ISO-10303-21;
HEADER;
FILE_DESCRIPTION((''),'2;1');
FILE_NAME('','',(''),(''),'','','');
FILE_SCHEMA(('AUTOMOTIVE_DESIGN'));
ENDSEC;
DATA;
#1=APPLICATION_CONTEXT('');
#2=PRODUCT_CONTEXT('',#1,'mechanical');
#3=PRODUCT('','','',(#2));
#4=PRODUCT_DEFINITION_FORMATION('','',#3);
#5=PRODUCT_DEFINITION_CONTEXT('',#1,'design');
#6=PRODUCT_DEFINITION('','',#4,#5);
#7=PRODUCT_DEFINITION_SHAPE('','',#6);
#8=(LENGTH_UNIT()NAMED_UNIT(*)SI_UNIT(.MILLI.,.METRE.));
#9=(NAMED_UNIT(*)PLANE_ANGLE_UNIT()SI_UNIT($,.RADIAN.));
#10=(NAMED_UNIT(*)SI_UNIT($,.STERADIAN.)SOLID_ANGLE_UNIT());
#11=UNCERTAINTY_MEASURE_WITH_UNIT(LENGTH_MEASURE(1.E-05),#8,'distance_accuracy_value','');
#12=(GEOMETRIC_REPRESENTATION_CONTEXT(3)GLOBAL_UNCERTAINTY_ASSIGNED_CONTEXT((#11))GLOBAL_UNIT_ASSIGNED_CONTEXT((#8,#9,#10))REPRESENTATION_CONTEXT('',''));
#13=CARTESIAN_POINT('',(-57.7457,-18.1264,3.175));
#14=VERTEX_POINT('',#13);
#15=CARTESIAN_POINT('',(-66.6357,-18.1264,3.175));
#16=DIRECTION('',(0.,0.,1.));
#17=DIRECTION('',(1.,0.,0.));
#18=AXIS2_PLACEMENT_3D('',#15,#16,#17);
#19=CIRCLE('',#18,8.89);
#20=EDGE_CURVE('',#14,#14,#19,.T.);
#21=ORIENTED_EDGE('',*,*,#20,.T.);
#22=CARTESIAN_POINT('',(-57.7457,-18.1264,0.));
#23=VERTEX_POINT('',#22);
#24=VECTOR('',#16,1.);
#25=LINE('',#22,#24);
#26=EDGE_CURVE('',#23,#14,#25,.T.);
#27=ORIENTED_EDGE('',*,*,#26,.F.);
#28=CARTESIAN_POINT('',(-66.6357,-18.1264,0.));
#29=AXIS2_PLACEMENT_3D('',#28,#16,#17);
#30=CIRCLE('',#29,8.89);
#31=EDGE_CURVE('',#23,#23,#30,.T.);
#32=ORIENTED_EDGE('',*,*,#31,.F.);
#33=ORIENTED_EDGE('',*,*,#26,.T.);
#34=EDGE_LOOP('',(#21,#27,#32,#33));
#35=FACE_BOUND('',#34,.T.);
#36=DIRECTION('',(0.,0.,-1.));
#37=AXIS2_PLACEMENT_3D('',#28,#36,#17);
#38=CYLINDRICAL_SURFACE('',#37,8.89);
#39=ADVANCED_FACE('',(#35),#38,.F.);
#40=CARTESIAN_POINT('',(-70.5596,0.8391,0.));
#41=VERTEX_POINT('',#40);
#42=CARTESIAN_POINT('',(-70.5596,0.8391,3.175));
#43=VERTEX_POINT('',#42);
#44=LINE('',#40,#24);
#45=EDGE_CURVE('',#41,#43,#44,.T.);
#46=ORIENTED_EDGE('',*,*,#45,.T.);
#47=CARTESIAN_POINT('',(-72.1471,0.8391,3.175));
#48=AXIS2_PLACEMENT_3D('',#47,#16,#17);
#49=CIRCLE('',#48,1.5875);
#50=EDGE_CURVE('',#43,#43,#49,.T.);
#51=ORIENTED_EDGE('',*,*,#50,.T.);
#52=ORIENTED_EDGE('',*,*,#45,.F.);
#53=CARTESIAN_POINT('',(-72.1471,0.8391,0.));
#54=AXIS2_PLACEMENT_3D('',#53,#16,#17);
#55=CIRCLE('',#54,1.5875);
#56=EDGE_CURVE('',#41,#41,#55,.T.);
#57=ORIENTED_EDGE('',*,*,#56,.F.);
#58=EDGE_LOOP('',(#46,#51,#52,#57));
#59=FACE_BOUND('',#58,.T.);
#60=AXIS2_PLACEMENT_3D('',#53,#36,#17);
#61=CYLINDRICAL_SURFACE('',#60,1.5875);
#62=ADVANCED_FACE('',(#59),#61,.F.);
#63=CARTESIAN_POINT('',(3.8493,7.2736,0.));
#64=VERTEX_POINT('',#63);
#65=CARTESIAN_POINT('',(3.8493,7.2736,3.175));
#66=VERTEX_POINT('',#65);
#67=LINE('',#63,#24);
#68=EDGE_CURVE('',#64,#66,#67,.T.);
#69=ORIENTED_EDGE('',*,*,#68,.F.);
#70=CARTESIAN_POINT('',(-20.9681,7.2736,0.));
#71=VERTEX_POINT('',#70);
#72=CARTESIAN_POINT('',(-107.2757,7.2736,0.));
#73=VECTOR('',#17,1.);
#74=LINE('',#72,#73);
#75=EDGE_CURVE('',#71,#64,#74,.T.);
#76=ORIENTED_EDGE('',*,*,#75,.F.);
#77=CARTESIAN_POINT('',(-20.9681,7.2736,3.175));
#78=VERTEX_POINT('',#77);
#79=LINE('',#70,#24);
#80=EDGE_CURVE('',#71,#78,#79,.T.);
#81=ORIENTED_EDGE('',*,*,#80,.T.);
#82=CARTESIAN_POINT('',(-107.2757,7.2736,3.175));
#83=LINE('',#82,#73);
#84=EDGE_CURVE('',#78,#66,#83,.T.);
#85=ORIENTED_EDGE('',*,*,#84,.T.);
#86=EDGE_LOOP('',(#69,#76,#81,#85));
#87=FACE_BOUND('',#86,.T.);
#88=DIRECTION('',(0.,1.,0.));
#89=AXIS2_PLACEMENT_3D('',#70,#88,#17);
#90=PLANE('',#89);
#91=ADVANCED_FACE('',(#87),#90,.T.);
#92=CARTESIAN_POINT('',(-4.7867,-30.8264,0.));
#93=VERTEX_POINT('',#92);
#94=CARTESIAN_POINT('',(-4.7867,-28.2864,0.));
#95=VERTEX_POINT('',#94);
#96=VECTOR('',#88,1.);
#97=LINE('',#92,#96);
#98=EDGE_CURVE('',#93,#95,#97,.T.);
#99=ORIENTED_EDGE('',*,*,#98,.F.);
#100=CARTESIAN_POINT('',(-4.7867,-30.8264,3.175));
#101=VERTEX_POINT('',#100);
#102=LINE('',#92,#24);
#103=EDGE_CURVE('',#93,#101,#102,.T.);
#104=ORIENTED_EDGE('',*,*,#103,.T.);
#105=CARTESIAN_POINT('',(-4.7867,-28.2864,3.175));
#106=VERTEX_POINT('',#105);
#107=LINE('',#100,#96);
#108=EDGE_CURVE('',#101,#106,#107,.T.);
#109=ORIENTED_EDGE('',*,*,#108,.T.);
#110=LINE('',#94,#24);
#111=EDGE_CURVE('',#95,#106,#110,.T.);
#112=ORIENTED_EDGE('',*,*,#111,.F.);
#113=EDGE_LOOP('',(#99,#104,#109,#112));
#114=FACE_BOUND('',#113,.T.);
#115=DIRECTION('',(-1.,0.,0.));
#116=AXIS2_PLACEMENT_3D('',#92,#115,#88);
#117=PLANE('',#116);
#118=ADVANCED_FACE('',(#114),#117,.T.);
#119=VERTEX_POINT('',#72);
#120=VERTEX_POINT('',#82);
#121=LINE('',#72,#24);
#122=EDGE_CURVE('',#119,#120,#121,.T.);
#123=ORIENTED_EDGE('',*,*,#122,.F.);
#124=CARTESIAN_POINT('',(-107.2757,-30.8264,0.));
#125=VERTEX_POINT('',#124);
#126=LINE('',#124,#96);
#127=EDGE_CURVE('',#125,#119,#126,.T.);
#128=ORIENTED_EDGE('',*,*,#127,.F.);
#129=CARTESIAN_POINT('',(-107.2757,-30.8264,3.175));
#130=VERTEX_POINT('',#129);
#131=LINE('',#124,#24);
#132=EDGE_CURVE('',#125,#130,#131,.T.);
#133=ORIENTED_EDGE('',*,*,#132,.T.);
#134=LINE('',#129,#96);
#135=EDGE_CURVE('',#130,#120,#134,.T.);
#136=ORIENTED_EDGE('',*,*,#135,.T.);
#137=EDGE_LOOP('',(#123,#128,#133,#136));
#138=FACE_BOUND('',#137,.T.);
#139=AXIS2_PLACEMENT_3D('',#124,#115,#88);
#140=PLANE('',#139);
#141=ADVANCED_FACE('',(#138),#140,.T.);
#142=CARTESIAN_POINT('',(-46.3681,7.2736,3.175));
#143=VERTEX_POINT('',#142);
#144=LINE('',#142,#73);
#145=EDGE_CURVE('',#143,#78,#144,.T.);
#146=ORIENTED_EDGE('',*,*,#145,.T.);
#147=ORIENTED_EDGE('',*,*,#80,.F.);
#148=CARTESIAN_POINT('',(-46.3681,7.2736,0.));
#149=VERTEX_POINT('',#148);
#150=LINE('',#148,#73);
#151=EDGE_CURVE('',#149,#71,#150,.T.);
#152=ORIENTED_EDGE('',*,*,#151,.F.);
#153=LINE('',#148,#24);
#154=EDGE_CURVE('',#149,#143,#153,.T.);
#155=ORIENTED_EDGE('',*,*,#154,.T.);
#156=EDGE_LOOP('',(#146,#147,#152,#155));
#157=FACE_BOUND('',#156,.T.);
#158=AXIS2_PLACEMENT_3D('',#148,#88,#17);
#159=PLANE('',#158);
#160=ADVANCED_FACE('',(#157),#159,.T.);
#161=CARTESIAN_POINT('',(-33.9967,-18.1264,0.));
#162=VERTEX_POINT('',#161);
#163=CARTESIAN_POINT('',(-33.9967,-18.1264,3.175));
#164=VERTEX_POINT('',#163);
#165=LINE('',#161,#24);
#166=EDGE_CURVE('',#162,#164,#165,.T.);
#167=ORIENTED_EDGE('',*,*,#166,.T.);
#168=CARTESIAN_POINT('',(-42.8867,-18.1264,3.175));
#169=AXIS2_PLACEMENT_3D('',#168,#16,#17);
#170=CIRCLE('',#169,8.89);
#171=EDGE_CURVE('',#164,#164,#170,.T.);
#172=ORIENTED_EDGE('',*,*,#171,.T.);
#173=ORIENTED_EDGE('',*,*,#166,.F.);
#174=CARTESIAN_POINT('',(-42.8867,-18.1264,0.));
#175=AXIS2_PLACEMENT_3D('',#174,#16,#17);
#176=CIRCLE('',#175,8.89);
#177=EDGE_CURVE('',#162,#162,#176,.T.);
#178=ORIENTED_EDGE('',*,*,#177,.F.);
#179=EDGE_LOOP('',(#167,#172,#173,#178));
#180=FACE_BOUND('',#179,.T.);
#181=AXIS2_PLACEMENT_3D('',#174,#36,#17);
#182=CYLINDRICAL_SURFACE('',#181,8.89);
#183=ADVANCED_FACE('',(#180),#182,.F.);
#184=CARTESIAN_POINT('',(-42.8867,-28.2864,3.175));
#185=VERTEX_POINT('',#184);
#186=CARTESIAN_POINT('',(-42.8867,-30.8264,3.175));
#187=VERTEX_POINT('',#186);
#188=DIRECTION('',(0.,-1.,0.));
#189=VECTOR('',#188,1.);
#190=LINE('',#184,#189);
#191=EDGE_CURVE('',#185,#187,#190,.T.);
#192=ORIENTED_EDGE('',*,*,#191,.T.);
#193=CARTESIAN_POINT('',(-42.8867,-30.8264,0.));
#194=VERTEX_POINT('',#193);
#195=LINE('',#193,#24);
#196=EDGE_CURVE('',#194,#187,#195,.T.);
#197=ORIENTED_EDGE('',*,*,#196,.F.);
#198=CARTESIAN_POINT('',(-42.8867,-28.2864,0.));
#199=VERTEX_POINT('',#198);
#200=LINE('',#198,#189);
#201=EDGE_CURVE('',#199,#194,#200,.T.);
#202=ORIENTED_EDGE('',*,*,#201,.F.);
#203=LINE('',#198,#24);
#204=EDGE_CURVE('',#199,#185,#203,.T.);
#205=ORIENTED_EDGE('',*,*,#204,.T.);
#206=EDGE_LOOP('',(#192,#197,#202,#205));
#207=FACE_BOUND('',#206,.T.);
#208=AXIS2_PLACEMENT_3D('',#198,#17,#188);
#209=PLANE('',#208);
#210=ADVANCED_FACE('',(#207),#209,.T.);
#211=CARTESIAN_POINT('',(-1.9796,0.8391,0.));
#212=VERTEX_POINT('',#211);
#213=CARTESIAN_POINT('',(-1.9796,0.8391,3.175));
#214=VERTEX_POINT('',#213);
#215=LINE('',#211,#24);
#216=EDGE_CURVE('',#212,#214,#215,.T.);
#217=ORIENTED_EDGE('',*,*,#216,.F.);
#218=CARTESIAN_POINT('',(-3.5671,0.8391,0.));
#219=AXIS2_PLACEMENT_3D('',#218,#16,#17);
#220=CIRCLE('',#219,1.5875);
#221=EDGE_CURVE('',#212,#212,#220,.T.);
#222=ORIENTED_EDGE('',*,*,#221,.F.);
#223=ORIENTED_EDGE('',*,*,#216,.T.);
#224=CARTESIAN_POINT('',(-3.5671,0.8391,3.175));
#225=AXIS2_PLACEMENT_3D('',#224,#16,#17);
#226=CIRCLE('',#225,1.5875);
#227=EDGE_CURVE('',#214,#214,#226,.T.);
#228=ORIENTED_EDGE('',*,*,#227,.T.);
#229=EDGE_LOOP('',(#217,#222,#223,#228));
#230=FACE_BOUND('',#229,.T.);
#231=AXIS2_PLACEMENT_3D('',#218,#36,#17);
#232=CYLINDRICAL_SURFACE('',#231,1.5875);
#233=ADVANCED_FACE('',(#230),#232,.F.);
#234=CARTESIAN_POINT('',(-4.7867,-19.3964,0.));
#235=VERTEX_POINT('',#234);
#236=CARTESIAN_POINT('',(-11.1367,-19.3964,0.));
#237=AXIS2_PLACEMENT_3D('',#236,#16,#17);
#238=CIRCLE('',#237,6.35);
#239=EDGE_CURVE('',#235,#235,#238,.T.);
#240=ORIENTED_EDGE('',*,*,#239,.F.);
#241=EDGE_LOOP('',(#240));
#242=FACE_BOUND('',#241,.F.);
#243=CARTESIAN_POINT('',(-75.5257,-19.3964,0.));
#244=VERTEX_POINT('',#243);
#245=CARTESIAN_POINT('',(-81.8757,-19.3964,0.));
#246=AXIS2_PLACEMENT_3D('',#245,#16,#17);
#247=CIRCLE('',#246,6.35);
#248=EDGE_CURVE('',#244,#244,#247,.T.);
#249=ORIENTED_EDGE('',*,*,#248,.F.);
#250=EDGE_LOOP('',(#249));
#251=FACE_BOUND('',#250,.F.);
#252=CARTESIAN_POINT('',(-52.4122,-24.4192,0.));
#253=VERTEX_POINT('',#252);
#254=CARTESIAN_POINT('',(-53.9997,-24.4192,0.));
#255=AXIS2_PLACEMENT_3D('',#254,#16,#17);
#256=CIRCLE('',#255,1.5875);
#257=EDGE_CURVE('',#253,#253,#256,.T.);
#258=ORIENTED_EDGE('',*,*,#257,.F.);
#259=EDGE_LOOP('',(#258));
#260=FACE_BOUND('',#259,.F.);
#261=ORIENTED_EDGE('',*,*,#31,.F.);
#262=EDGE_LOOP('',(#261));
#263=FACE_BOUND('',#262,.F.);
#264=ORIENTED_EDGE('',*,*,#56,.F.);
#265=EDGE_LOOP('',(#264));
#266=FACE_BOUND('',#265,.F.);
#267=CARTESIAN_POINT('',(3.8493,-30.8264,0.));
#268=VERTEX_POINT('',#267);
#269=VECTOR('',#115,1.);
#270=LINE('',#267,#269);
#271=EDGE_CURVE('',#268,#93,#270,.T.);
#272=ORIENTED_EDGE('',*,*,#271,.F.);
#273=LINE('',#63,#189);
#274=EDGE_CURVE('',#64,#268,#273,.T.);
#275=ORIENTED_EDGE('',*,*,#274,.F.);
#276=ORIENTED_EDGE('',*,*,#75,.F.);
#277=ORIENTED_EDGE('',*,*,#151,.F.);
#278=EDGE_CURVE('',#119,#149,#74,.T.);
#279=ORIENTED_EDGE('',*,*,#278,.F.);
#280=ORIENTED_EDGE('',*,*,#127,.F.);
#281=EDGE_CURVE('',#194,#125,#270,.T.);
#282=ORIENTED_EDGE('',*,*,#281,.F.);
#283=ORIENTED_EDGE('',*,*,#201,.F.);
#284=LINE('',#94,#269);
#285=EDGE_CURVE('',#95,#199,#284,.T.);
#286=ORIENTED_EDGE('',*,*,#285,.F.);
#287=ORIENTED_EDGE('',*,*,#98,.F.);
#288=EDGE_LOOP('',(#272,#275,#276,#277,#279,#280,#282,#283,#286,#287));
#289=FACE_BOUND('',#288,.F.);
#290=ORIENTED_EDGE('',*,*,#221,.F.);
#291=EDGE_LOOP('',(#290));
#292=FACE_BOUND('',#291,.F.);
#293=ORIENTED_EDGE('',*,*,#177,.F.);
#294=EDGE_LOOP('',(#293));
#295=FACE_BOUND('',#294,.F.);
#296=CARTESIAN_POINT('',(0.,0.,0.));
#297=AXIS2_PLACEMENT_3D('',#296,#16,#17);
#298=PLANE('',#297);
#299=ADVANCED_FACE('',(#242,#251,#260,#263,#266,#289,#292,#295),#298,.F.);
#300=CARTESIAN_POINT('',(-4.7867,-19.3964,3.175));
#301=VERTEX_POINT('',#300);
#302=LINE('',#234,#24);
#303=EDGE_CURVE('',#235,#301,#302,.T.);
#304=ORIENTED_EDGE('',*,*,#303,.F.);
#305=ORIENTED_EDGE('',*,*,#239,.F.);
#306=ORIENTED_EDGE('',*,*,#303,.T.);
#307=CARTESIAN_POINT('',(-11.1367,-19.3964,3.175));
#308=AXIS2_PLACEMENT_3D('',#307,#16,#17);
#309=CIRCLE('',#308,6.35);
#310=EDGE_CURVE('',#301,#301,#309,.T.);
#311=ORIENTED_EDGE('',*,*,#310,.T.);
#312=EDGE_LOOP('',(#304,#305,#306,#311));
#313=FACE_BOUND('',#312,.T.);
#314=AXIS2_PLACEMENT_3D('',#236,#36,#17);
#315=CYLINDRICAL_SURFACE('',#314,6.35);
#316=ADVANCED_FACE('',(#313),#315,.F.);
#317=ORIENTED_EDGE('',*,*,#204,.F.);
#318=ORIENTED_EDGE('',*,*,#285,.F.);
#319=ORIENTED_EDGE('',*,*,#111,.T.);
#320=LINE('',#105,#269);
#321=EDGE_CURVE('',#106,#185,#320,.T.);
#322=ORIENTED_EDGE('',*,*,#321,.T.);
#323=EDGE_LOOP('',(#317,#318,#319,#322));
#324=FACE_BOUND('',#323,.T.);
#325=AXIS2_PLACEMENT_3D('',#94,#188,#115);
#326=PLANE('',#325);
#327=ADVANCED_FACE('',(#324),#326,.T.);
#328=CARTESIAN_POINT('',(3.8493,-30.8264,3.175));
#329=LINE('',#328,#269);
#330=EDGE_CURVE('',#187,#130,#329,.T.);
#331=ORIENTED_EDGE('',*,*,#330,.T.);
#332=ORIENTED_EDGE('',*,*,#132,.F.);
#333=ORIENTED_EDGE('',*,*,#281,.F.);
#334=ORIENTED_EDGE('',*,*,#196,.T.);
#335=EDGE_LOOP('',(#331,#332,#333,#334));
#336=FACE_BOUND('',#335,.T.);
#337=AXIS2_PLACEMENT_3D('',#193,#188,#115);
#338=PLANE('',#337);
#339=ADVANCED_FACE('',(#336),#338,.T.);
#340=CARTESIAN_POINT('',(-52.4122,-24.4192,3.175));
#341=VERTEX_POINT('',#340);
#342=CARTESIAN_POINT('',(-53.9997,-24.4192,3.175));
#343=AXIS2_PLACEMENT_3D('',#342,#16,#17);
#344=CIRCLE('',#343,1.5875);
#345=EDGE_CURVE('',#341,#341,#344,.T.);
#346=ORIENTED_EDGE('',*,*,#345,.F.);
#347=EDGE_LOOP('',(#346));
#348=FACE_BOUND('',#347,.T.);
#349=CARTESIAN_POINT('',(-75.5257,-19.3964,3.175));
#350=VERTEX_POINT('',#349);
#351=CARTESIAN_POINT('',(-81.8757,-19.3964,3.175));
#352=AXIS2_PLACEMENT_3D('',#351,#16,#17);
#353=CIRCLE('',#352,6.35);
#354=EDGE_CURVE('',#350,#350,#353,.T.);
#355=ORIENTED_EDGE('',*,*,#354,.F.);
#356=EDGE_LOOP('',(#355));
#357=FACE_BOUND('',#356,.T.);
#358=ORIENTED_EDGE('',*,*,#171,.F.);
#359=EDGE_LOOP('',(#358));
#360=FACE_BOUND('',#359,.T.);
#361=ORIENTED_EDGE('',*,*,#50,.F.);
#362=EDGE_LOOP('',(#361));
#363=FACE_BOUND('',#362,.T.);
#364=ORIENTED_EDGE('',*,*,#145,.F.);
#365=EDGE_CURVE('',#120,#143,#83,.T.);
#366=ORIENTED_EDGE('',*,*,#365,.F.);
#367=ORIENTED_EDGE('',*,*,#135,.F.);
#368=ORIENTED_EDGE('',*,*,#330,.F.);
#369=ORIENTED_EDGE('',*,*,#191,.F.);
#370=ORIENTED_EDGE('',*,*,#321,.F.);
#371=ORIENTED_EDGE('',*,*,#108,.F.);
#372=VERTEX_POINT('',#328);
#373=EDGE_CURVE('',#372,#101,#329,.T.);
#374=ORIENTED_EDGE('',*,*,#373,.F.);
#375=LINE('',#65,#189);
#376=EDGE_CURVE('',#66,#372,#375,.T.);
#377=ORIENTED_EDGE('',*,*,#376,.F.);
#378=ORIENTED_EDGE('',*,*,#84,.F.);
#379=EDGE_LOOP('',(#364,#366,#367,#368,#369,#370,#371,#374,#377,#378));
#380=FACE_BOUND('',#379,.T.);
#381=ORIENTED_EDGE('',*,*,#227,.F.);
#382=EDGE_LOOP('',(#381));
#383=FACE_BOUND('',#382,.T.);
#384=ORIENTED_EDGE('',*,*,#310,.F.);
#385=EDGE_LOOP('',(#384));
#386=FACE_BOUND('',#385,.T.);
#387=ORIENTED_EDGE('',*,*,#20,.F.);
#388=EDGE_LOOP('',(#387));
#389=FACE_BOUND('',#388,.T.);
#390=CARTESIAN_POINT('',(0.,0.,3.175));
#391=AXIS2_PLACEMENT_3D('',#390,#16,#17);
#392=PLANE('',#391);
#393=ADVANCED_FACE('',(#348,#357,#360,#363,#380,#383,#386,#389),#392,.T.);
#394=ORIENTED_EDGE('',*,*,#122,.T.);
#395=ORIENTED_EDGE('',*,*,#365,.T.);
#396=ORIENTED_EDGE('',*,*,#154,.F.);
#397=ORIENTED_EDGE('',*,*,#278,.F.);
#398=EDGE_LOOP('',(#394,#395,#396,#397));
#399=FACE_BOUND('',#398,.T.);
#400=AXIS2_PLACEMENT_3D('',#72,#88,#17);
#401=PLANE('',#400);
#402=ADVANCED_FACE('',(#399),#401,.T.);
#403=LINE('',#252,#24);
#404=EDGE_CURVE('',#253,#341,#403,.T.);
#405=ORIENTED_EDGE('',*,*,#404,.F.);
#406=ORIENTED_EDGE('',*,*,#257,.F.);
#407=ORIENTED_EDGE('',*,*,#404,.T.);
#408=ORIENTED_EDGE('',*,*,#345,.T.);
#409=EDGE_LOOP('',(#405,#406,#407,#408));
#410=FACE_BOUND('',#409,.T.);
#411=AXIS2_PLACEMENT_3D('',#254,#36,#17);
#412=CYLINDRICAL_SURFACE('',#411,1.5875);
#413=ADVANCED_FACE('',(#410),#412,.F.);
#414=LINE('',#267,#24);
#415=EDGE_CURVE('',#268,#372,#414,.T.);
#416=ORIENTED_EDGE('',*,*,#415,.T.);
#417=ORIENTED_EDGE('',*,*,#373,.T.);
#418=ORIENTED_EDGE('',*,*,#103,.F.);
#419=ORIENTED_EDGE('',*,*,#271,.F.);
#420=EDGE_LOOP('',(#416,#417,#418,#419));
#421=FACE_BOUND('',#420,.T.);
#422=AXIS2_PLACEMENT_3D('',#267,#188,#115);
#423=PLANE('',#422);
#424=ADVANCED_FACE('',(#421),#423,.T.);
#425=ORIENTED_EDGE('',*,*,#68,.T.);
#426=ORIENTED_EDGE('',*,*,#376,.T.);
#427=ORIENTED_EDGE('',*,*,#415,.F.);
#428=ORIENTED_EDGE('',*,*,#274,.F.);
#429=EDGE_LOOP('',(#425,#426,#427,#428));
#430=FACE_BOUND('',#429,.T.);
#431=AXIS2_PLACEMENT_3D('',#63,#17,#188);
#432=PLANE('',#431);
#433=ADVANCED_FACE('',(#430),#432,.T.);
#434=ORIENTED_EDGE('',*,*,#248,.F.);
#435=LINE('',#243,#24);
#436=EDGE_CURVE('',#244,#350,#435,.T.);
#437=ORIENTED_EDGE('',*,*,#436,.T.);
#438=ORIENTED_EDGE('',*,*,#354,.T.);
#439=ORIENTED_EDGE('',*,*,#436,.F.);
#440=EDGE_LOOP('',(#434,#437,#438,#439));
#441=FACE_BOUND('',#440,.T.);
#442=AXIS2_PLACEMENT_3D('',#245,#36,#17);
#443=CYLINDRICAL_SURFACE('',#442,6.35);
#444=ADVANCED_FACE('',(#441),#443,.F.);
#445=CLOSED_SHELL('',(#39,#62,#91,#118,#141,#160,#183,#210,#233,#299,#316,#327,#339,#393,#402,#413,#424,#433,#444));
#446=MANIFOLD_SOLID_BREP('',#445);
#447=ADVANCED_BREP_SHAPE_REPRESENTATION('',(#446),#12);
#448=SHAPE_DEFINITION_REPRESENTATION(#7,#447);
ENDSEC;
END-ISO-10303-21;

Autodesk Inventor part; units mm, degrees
ref_plane "YZ Plane" through (0, 0, 0) normal (1, 0, 0) x (0, 1, 0)
ref_plane "XZ Plane" through (0, 0, 0) normal (0, 1, 0) x (-1, 0, 0)
ref_plane "XY Plane" through (0, 0, 0) normal (0, 0, 1) x (1, 0, 0)
sketch "Sketch1" plane through (0, 0, 0) normal (0, 0, 1) x (1, 0, 0)
  line L0 (-107.2757, 7.2736) -> (3.8493, 7.2736)
  line L1 (3.8493, 7.2736) -> (3.8493, -30.8264)
  line L2 (3.8493, -30.8264) -> (-107.2757, -30.8264)
  line L3 (-107.2757, -30.8264) -> (-107.2757, 7.2736)
  circle A0 centre (-72.1471, 0.8391) radius 1.5875
  circle A1 centre (-53.9997, -24.4192) radius 1.5875
  circle A2 centre (-3.5671, 0.8391) radius 1.5875
  circle A3 centre (-66.6357, -18.1264) radius 8.89
  circle A4 centre (-42.8867, -18.1264) radius 8.89
  circle A5 centre (-81.8757, -19.3964) radius 6.35
  circle A6 centre (-11.1367, -19.3964) radius 6.35
  line L4 (-42.8867, -30.8264) -> (-4.7867, -30.8264)
  line L5 (-4.7867, -30.8264) -> (-4.7867, -28.2864)
  line L6 (-4.7867, -28.2864) -> (-42.8867, -28.2864)
  line L7 (-42.8867, -28.2864) -> (-42.8867, -30.8264)
  line L8 (-46.3681, 7.2736) -> (-20.9681, 7.2736)
  point P0 (0, 0)
  dimension "d2" = 111.125
  dimension "d3" = 38.1
  dimension "d4" = 3.175
  dimension "d5" = 3.175
  dimension "d6" = 3.175
  dimension "d7" = 12.7
  dimension "d8" = 12.7
  dimension "d9" = 17.78
  dimension "d10" = 17.78
  dimension "d11" = 12.7
  dimension "d12" = 12.7
  dimension "d13" = 23.749
  dimension "d14" = 11.43
  dimension "d15" = 11.43
  dimension "d16" = 15.24
  dimension "d17" = 31.75
  dimension "d18" = 6.4345
  dimension "d19" = 6.4345
  dimension "d20" = 68.58
  dimension "d21" = 6.4071
  dimension "d22" = 11.1131
  dimension "d23" = 5.5114
  dimension "d24" = 2.54
  dimension "d25" = 38.1
  dimension "d26" = 0
  dimension "d27" = 25.4
extrude "Extrusion1" add sketch "Sketch1" along normal blind 3.175 contours L0 L1 L2 L5 L6 L7 L3
properties part number "Dish_Injector_Wall"
